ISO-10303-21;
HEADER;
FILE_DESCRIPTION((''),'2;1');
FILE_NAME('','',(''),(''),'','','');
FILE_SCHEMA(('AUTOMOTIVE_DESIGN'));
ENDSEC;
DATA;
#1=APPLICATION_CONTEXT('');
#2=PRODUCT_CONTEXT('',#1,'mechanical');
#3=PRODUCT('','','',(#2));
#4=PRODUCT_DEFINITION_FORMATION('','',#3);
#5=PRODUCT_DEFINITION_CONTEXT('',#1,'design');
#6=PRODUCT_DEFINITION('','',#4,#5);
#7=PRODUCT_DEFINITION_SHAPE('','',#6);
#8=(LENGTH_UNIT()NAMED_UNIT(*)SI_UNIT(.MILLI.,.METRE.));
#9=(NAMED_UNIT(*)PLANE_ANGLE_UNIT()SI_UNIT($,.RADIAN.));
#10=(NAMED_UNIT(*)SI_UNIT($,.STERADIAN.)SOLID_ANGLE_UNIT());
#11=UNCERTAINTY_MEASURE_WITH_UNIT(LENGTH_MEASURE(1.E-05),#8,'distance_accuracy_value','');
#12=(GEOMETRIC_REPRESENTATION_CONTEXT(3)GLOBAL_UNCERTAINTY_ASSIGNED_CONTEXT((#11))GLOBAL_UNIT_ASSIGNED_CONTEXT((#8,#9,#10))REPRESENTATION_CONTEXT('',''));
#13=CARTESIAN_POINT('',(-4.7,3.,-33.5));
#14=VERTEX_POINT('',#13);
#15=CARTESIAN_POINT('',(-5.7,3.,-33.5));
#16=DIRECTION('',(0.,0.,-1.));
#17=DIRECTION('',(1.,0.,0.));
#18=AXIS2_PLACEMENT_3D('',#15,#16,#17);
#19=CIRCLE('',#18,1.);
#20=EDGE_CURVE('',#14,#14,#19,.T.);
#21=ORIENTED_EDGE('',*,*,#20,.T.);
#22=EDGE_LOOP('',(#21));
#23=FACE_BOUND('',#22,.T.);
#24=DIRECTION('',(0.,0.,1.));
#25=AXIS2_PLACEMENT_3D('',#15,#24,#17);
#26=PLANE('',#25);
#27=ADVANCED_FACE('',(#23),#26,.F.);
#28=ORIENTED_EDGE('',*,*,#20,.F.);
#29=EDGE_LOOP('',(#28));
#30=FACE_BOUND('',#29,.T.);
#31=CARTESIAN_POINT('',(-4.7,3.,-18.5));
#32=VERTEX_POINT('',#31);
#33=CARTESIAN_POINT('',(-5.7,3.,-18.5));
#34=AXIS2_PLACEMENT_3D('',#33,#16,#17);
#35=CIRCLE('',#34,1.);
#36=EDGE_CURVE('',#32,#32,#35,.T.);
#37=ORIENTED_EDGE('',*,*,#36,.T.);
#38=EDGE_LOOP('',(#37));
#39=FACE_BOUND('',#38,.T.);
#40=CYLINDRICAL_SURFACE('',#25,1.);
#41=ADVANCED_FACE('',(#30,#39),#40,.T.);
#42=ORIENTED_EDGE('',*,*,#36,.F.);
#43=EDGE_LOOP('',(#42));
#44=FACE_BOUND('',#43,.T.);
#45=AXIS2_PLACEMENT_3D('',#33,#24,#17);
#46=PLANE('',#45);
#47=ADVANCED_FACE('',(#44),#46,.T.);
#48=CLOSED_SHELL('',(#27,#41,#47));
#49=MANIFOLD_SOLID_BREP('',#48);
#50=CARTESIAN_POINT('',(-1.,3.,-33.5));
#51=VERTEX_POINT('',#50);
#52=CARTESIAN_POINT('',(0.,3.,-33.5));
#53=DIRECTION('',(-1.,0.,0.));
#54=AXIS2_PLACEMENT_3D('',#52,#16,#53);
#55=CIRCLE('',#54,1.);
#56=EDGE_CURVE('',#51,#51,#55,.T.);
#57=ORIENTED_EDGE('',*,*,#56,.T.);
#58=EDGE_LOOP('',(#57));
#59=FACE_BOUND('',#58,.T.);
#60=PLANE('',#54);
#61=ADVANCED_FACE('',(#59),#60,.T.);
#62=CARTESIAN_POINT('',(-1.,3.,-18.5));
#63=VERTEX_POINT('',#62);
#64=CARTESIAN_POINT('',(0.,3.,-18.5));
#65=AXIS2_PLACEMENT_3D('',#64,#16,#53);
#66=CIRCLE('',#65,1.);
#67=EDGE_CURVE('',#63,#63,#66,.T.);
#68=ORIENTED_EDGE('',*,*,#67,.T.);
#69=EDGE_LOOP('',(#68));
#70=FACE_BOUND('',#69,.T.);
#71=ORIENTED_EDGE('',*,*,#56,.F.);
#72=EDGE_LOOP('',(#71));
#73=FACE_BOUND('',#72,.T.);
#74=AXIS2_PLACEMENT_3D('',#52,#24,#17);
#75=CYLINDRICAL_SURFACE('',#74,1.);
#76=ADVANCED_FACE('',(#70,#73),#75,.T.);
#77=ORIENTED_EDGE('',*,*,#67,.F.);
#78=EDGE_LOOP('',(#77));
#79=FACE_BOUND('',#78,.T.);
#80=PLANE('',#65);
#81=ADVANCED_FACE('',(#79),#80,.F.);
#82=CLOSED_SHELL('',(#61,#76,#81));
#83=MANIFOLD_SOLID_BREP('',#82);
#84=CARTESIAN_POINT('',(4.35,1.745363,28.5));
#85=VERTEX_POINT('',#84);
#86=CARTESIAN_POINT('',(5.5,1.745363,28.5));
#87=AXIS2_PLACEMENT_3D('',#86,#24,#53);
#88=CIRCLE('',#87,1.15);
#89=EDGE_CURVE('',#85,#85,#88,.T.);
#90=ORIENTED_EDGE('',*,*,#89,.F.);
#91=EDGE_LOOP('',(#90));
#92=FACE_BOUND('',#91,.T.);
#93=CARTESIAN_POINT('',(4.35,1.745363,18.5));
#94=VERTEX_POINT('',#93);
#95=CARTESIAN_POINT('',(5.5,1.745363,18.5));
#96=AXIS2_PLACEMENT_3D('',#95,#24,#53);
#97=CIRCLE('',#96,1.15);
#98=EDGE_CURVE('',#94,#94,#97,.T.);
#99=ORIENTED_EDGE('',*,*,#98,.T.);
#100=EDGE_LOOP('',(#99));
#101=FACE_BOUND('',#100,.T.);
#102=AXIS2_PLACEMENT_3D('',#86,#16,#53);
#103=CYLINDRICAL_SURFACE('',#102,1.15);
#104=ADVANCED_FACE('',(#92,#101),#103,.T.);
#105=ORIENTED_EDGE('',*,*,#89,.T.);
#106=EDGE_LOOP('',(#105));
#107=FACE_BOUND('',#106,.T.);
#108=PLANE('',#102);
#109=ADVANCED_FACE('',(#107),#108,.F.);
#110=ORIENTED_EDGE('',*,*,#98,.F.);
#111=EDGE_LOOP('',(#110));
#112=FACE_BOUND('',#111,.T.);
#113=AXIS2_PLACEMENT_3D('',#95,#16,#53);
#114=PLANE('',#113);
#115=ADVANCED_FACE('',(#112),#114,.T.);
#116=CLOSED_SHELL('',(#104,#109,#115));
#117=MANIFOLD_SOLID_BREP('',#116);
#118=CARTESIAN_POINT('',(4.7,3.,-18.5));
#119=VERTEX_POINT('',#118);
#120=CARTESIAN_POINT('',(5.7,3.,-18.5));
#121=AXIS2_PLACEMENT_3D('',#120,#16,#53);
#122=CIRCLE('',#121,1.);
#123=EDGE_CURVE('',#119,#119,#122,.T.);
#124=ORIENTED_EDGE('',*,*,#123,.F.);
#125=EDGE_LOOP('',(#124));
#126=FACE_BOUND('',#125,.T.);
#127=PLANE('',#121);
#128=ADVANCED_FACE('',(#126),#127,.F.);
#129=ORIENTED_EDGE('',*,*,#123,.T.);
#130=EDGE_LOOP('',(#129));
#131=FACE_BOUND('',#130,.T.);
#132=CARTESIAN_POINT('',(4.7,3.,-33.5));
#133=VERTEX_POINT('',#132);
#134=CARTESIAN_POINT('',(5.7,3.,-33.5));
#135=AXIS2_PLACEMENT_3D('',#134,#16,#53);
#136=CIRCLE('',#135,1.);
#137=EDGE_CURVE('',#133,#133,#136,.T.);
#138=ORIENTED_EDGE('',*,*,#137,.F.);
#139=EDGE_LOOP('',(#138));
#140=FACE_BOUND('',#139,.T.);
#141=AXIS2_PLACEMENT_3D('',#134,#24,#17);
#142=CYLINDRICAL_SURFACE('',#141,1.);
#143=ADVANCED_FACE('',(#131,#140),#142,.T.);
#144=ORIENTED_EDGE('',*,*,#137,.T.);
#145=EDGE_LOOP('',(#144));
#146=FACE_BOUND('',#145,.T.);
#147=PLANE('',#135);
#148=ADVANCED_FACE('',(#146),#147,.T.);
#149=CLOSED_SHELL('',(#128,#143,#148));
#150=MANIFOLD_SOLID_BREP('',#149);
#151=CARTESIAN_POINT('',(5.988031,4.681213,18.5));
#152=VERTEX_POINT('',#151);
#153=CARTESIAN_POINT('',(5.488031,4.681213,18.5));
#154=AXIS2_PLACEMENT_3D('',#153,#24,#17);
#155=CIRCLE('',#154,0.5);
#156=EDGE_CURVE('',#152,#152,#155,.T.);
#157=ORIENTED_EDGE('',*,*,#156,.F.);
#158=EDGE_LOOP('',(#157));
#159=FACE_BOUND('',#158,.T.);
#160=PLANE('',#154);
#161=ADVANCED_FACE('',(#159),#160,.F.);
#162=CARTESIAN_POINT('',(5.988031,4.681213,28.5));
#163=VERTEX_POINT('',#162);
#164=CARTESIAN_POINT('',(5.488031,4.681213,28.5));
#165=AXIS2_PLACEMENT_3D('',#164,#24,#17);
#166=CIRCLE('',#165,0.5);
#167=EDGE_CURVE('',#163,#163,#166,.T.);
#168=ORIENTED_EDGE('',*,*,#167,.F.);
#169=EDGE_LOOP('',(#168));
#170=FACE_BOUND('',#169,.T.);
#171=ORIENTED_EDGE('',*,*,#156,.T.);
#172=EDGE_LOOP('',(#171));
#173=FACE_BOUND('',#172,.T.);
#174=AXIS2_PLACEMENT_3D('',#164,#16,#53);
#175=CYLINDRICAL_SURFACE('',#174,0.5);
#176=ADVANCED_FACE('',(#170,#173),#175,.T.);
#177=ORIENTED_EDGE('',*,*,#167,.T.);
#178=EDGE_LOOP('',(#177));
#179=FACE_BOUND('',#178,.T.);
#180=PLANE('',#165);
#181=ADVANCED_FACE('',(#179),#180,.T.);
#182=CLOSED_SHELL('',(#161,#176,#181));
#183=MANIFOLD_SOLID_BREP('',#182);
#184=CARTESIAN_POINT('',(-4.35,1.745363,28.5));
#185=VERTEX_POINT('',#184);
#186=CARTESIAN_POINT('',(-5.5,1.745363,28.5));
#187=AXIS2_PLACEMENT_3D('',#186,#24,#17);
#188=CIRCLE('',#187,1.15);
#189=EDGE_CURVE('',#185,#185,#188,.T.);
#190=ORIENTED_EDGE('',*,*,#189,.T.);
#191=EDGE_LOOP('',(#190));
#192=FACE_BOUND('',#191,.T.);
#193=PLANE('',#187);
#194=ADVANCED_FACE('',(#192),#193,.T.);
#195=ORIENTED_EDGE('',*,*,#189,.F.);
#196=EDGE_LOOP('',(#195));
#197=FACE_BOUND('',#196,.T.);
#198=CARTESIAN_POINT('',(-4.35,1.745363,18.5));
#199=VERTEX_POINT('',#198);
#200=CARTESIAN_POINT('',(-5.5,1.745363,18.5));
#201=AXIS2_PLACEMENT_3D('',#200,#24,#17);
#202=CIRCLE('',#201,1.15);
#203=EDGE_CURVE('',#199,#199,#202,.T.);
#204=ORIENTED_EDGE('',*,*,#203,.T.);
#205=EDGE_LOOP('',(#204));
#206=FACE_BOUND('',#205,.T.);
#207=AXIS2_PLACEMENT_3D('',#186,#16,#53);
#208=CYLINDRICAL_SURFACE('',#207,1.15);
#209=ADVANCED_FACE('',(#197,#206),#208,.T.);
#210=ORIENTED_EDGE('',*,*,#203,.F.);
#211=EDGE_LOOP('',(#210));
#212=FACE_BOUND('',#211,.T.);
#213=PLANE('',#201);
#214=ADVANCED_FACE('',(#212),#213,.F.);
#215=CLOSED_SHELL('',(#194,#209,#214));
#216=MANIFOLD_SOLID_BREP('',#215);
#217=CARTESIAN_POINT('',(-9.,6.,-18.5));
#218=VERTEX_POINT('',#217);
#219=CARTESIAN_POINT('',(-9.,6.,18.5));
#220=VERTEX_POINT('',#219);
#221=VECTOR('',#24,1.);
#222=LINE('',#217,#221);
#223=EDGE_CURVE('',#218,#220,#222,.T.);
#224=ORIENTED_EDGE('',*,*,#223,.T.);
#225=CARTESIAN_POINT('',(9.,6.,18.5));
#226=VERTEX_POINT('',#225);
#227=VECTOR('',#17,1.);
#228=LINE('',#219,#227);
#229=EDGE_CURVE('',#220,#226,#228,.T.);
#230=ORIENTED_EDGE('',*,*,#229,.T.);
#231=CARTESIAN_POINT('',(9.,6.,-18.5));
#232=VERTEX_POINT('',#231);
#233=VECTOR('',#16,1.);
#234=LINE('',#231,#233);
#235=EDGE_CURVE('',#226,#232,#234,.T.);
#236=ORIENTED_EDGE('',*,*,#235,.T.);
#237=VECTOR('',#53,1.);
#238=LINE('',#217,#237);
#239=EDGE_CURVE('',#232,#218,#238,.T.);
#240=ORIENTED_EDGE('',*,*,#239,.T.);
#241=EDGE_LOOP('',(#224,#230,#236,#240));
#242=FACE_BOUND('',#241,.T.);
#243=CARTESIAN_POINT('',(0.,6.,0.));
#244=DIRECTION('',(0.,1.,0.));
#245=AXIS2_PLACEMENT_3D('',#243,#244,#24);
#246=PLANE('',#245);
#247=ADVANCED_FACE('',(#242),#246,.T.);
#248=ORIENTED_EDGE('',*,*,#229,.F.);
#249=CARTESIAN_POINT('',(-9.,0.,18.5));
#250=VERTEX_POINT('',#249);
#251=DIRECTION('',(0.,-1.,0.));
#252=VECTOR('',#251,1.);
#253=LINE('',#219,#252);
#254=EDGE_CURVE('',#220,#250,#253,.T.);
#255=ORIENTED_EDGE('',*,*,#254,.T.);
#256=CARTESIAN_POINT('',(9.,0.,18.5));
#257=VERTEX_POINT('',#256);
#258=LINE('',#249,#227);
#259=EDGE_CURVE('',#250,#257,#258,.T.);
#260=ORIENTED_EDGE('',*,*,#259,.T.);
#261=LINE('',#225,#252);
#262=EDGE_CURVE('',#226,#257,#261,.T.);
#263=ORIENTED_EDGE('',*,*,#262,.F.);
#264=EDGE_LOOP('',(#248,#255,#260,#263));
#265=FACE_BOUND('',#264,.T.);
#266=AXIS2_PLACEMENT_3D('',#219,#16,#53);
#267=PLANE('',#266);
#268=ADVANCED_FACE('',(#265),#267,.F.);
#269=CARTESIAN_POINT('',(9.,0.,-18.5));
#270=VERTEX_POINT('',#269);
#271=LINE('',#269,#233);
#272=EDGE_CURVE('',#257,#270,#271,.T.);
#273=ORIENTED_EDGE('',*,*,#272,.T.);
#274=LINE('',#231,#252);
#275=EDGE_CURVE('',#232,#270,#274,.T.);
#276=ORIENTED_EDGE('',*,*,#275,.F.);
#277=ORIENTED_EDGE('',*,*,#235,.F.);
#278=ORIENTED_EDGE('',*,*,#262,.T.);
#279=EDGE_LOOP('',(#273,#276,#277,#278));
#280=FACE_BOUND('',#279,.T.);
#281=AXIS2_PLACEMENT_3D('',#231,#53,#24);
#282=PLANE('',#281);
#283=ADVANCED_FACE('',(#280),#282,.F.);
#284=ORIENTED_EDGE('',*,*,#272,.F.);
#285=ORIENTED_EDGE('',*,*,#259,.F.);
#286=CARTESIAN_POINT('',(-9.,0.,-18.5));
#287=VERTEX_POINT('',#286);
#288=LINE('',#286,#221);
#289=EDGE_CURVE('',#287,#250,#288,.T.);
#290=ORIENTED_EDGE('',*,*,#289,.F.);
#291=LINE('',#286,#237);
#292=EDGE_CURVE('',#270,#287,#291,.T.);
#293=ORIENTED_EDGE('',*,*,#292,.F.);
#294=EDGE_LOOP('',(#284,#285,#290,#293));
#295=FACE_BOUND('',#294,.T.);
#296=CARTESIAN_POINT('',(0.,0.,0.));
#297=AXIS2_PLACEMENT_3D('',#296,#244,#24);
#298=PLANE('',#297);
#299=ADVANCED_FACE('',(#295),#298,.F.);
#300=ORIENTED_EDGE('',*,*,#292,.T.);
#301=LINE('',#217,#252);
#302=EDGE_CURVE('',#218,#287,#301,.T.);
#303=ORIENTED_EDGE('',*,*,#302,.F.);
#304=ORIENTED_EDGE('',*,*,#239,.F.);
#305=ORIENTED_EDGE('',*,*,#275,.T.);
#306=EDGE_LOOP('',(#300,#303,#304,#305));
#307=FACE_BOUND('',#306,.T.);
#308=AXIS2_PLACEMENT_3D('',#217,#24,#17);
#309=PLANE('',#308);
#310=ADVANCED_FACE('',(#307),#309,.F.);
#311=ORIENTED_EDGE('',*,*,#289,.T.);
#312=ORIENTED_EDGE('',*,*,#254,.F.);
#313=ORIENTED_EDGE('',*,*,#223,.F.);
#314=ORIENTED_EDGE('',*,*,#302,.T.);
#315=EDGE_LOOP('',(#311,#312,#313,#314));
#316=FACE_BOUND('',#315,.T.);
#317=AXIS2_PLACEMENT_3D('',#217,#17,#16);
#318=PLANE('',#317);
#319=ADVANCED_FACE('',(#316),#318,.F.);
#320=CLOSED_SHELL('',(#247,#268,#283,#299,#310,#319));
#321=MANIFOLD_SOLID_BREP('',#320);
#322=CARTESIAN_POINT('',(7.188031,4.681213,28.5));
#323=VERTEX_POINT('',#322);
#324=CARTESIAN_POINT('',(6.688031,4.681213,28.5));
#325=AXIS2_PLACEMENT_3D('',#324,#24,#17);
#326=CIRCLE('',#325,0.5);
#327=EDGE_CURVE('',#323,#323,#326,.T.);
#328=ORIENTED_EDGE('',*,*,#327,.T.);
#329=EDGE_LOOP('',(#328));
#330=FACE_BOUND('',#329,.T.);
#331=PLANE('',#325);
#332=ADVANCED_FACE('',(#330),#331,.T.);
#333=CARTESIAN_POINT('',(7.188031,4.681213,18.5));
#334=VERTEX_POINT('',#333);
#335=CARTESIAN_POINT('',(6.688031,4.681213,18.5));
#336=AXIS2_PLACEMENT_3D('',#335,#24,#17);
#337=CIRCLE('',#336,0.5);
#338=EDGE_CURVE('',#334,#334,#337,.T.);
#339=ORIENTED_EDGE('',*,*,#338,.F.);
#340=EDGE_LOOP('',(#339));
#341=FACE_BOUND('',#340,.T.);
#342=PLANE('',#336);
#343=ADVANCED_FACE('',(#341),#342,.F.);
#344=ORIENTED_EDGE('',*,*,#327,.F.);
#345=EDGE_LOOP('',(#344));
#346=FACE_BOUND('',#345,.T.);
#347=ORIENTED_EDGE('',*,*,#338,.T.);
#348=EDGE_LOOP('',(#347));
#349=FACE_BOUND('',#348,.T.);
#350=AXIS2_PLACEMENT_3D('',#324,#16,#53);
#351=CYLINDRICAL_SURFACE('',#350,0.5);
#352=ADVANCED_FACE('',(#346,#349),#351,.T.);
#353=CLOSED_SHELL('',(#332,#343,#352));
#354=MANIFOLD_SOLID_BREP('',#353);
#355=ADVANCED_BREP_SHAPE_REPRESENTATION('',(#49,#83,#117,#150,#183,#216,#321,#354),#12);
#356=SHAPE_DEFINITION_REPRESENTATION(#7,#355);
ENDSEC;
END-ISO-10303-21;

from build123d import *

# Parameters (mm, degrees)
ESQUISSE1_W          = 18
ESQUISSE1_H          = 37
BOSS_EXTRU_1_DEPTH   = 6
ESQUISSE2_R          = 1.15
BOSS_EXTRU_2_DEPTH   = 10
BOSS_EXTRU_2_2_DEPTH = 10
ESQUISSE2_R_2        = 0.5
BOSS_EXTRU_2_3_DEPTH = 10
BOSS_EXTRU_2_4_DEPTH = 10
ESQUISSE3_R          = 1
BOSS_EXTRU_3_DEPTH   = 15
BOSS_EXTRU_3_2_DEPTH = 15
BOSS_EXTRU_3_3_DEPTH = 15


with BuildPart() as part:
    # Esquisse1 → Boss.-Extru.1 (new body)
    with BuildSketch(Plane(origin=(0, 0, 0), x_dir=(1, 0, 0), z_dir=(0, 1, 0))):
        Rectangle(ESQUISSE1_W, ESQUISSE1_H)
    extrude(amount=BOSS_EXTRU_1_DEPTH)


with BuildPart() as body_2:
    # Esquisse2 → Boss.-Extru.2 (new body)
    with BuildSketch(Plane.XY.offset(18.5)):
        with Locations((-5.5, 1.745362632)):
            Circle(ESQUISSE2_R)
    extrude(amount=BOSS_EXTRU_2_DEPTH)


with BuildPart() as body_3:
    # Esquisse2 → Boss.-Extru.2 2 (new body)
    with BuildSketch(Plane.XY.offset(18.5)):
        with Locations(Location((5.5, 1.745362632, 0), (0, 0, 180))):
            Circle(ESQUISSE2_R)
    extrude(amount=BOSS_EXTRU_2_2_DEPTH)


with BuildPart() as body_4:
    # Esquisse2 → Boss.-Extru.2 3 (new body)
    with BuildSketch(Plane.XY.offset(18.5)):
        with Locations((6.688031395, 4.681212966)):
            Circle(ESQUISSE2_R_2)
    extrude(amount=BOSS_EXTRU_2_3_DEPTH)


with BuildPart() as body_5:
    # Esquisse2 → Boss.-Extru.2 4 (new body)
    with BuildSketch(Plane.XY.offset(18.5)):
        with Locations((5.488031395, 4.681212966)):
            Circle(ESQUISSE2_R_2)
    extrude(amount=BOSS_EXTRU_2_4_DEPTH)


with BuildPart() as body_6:
    # Esquisse3 → Boss.-Extru.3 (new body)
    with BuildSketch(Plane(origin=(0, 0, -18.5), x_dir=(-1, 0, 0), z_dir=(0, 0, -1))):
        with Locations((-5.7, 3)):
            Circle(ESQUISSE3_R)
    extrude(amount=BOSS_EXTRU_3_DEPTH)


with BuildPart() as body_7:
    # Esquisse3 → Boss.-Extru.3 2 (new body)
    with BuildSketch(Plane(origin=(0, 0, -18.5), x_dir=(-1, 0, 0), z_dir=(0, 0, -1))):
        with Locations((0, 3)):
            Circle(ESQUISSE3_R)
    extrude(amount=BOSS_EXTRU_3_2_DEPTH)


with BuildPart() as body_8:
    # Esquisse3 → Boss.-Extru.3 3 (new body)
    with BuildSketch(Plane(origin=(0, 0, -18.5), x_dir=(-1, 0, 0), z_dir=(0, 0, -1))):
        with Locations(Location((5.7, 3, 0), (0, 0, 180))):
            Circle(ESQUISSE3_R)
    extrude(amount=BOSS_EXTRU_3_3_DEPTH)


solid = Compound([part.part, body_2.part, body_3.part, body_4.part, body_5.part, body_6.part, body_7.part, body_8.part])
